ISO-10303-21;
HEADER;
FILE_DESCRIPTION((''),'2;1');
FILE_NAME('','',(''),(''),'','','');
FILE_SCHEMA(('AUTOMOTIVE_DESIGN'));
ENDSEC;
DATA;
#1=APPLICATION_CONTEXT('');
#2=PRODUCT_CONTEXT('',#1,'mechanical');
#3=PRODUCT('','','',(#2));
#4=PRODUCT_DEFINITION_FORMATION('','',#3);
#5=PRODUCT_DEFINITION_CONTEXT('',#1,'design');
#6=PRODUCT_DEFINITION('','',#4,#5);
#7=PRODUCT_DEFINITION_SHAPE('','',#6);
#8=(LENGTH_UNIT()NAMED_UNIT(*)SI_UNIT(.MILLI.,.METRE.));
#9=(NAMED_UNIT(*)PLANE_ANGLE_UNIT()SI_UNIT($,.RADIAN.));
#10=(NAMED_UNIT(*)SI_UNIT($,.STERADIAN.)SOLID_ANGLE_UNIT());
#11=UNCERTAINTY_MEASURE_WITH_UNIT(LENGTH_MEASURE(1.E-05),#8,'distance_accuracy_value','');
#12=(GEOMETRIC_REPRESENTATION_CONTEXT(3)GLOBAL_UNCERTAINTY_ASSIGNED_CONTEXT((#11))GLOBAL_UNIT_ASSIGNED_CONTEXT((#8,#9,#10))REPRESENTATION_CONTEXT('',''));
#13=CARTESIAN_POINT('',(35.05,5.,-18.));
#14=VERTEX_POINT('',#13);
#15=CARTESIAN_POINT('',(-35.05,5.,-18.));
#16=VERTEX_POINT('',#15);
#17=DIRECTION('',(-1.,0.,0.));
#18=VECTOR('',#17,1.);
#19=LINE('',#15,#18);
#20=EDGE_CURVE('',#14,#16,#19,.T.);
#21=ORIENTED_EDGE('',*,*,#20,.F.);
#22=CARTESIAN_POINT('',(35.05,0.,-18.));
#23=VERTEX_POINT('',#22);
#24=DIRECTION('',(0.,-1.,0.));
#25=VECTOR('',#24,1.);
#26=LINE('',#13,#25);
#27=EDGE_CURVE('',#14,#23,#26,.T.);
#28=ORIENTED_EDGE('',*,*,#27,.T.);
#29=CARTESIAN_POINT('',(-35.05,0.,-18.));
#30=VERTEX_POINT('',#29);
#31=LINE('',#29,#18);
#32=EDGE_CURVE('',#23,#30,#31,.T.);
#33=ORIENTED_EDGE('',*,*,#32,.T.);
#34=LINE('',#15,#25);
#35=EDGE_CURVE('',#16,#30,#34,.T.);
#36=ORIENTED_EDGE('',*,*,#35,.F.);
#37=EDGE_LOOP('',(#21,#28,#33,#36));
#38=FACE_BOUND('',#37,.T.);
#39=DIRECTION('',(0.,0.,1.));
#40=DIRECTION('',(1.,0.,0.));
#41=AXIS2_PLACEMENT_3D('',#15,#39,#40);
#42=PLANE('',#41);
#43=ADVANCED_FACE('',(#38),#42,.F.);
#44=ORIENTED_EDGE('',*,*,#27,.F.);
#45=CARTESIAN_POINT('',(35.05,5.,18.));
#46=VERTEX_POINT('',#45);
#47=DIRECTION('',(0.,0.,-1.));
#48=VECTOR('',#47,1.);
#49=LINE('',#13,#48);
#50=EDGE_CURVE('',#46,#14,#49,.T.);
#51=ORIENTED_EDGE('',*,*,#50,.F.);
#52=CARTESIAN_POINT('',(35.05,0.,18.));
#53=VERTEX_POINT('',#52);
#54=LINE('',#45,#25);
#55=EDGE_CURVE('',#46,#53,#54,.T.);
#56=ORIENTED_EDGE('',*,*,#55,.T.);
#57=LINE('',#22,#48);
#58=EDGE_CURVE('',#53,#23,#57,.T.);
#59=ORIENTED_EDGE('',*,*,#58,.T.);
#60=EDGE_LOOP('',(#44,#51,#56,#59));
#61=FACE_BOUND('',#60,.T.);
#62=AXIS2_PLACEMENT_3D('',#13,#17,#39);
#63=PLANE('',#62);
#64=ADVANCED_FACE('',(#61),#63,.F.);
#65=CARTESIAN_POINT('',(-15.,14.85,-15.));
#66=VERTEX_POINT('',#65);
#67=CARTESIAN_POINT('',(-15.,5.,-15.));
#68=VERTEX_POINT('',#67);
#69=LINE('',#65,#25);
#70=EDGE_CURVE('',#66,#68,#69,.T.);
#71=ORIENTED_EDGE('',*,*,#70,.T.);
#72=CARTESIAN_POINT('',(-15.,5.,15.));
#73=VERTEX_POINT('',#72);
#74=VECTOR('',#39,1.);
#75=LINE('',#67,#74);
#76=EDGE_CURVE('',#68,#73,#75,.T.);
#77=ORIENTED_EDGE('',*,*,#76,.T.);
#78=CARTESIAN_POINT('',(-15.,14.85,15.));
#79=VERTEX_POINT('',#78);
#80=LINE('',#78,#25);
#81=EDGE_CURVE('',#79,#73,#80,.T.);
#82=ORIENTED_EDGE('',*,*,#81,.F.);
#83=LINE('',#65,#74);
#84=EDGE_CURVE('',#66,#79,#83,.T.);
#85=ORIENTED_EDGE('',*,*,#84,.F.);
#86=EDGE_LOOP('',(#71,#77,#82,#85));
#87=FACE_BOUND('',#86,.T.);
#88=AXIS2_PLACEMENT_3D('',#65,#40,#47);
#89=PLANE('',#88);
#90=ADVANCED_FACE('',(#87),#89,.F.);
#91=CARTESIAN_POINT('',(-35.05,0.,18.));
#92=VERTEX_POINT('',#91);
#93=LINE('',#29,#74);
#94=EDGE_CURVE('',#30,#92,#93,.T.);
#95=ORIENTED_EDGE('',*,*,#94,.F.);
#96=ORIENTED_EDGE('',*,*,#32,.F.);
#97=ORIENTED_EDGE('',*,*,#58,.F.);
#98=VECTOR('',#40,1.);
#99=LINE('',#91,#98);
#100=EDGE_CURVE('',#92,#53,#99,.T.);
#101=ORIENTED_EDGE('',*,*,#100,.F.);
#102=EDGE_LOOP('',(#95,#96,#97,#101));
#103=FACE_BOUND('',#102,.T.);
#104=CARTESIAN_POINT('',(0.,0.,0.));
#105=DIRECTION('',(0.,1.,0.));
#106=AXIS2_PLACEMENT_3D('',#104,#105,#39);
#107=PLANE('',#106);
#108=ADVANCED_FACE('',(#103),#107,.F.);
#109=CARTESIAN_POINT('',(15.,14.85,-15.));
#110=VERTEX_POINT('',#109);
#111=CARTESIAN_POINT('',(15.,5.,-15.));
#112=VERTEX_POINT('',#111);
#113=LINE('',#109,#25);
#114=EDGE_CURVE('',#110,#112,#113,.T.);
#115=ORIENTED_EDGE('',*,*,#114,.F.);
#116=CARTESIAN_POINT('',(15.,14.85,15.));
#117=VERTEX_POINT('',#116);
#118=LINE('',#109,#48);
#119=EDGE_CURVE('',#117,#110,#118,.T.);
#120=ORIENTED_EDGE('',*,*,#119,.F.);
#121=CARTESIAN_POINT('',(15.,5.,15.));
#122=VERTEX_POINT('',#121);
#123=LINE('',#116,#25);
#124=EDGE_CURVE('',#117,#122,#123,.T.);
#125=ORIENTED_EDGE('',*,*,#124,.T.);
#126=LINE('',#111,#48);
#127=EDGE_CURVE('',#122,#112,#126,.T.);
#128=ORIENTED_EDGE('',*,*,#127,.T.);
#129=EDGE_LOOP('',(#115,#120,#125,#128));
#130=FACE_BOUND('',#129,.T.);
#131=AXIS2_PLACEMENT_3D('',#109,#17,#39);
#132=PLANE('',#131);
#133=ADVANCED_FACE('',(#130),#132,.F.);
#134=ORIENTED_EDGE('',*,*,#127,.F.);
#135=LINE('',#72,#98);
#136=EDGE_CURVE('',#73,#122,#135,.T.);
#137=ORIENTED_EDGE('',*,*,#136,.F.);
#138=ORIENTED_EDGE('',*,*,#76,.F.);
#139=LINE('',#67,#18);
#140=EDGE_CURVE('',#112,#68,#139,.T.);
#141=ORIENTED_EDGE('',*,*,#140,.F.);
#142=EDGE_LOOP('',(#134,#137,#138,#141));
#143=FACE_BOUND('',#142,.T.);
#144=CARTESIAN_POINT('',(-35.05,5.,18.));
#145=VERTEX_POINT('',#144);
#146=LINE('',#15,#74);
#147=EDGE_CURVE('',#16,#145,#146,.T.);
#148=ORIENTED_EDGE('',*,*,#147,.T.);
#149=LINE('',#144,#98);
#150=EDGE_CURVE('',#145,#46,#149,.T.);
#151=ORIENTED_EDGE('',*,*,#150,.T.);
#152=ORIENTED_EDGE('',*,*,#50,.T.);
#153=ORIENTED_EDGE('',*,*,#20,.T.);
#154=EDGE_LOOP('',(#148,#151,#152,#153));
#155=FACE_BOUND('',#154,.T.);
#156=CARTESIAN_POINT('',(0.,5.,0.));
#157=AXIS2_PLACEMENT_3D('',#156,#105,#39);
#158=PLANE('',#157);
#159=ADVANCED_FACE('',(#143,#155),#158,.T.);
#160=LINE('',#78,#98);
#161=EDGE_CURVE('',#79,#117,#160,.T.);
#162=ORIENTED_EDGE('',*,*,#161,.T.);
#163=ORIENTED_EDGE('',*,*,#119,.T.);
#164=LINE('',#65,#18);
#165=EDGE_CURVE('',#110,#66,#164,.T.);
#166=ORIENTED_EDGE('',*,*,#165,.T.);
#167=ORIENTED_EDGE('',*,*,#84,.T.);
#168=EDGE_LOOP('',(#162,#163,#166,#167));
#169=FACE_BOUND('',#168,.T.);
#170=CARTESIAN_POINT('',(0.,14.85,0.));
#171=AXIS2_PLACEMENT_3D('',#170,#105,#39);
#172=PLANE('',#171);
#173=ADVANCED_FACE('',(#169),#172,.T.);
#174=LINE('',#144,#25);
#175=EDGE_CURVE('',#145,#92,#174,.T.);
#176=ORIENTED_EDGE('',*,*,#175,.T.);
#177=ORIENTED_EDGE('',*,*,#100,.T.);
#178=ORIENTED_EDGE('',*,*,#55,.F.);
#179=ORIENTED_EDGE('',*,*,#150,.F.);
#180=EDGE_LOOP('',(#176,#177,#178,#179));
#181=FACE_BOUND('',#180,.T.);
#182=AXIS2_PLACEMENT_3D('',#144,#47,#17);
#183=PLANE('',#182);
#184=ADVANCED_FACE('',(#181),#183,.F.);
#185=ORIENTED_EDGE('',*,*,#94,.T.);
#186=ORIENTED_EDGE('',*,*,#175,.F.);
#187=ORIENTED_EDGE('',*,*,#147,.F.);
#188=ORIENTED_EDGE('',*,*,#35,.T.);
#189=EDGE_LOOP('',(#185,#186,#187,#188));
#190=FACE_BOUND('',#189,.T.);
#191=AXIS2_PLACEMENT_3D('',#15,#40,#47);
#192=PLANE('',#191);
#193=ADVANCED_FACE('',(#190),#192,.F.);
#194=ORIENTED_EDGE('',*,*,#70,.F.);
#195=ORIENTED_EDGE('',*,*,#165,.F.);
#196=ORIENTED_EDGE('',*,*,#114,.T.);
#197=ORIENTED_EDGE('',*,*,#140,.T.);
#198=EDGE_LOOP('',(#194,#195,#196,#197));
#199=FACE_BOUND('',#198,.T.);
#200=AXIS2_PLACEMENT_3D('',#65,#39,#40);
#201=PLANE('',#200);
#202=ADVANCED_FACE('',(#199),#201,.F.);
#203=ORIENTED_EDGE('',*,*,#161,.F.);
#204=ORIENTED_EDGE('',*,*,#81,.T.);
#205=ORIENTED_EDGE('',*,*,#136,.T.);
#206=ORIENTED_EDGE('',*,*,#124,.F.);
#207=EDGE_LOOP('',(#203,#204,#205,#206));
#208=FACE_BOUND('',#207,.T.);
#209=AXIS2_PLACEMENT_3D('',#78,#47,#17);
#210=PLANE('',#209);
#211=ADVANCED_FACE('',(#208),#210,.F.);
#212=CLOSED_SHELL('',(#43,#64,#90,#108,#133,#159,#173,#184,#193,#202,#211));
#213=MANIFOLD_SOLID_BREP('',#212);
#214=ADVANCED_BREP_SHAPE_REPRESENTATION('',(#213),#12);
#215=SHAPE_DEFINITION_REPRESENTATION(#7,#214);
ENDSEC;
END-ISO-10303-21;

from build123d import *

# Parameters (mm, degrees)
SKETCH_1_W      = 70.1
SKETCH_1_H      = 36
EXTRUDE_1_DEPTH = 5
SKETCH_2_W      = 30
SKETCH_2_H      = 30
EXTRUDE_2_DEPTH = 9.85


with BuildPart() as part:
    # 草圖1 → 填料-伸長1 (new body)
    with BuildSketch(Plane(origin=(0, 0, 0), x_dir=(1, 0, 0), z_dir=(0, 1, 0))):
        Rectangle(SKETCH_1_W, SKETCH_1_H)
    extrude(amount=EXTRUDE_1_DEPTH)

    # 草圖2 → 填料-伸長2 (add)
    with BuildSketch(Plane(origin=(0, 5, 0), x_dir=(1, 0, 0), z_dir=(0, 1, 0))):
        Rectangle(SKETCH_2_W, SKETCH_2_H)
    extrude(amount=EXTRUDE_2_DEPTH)


solid = part.part
